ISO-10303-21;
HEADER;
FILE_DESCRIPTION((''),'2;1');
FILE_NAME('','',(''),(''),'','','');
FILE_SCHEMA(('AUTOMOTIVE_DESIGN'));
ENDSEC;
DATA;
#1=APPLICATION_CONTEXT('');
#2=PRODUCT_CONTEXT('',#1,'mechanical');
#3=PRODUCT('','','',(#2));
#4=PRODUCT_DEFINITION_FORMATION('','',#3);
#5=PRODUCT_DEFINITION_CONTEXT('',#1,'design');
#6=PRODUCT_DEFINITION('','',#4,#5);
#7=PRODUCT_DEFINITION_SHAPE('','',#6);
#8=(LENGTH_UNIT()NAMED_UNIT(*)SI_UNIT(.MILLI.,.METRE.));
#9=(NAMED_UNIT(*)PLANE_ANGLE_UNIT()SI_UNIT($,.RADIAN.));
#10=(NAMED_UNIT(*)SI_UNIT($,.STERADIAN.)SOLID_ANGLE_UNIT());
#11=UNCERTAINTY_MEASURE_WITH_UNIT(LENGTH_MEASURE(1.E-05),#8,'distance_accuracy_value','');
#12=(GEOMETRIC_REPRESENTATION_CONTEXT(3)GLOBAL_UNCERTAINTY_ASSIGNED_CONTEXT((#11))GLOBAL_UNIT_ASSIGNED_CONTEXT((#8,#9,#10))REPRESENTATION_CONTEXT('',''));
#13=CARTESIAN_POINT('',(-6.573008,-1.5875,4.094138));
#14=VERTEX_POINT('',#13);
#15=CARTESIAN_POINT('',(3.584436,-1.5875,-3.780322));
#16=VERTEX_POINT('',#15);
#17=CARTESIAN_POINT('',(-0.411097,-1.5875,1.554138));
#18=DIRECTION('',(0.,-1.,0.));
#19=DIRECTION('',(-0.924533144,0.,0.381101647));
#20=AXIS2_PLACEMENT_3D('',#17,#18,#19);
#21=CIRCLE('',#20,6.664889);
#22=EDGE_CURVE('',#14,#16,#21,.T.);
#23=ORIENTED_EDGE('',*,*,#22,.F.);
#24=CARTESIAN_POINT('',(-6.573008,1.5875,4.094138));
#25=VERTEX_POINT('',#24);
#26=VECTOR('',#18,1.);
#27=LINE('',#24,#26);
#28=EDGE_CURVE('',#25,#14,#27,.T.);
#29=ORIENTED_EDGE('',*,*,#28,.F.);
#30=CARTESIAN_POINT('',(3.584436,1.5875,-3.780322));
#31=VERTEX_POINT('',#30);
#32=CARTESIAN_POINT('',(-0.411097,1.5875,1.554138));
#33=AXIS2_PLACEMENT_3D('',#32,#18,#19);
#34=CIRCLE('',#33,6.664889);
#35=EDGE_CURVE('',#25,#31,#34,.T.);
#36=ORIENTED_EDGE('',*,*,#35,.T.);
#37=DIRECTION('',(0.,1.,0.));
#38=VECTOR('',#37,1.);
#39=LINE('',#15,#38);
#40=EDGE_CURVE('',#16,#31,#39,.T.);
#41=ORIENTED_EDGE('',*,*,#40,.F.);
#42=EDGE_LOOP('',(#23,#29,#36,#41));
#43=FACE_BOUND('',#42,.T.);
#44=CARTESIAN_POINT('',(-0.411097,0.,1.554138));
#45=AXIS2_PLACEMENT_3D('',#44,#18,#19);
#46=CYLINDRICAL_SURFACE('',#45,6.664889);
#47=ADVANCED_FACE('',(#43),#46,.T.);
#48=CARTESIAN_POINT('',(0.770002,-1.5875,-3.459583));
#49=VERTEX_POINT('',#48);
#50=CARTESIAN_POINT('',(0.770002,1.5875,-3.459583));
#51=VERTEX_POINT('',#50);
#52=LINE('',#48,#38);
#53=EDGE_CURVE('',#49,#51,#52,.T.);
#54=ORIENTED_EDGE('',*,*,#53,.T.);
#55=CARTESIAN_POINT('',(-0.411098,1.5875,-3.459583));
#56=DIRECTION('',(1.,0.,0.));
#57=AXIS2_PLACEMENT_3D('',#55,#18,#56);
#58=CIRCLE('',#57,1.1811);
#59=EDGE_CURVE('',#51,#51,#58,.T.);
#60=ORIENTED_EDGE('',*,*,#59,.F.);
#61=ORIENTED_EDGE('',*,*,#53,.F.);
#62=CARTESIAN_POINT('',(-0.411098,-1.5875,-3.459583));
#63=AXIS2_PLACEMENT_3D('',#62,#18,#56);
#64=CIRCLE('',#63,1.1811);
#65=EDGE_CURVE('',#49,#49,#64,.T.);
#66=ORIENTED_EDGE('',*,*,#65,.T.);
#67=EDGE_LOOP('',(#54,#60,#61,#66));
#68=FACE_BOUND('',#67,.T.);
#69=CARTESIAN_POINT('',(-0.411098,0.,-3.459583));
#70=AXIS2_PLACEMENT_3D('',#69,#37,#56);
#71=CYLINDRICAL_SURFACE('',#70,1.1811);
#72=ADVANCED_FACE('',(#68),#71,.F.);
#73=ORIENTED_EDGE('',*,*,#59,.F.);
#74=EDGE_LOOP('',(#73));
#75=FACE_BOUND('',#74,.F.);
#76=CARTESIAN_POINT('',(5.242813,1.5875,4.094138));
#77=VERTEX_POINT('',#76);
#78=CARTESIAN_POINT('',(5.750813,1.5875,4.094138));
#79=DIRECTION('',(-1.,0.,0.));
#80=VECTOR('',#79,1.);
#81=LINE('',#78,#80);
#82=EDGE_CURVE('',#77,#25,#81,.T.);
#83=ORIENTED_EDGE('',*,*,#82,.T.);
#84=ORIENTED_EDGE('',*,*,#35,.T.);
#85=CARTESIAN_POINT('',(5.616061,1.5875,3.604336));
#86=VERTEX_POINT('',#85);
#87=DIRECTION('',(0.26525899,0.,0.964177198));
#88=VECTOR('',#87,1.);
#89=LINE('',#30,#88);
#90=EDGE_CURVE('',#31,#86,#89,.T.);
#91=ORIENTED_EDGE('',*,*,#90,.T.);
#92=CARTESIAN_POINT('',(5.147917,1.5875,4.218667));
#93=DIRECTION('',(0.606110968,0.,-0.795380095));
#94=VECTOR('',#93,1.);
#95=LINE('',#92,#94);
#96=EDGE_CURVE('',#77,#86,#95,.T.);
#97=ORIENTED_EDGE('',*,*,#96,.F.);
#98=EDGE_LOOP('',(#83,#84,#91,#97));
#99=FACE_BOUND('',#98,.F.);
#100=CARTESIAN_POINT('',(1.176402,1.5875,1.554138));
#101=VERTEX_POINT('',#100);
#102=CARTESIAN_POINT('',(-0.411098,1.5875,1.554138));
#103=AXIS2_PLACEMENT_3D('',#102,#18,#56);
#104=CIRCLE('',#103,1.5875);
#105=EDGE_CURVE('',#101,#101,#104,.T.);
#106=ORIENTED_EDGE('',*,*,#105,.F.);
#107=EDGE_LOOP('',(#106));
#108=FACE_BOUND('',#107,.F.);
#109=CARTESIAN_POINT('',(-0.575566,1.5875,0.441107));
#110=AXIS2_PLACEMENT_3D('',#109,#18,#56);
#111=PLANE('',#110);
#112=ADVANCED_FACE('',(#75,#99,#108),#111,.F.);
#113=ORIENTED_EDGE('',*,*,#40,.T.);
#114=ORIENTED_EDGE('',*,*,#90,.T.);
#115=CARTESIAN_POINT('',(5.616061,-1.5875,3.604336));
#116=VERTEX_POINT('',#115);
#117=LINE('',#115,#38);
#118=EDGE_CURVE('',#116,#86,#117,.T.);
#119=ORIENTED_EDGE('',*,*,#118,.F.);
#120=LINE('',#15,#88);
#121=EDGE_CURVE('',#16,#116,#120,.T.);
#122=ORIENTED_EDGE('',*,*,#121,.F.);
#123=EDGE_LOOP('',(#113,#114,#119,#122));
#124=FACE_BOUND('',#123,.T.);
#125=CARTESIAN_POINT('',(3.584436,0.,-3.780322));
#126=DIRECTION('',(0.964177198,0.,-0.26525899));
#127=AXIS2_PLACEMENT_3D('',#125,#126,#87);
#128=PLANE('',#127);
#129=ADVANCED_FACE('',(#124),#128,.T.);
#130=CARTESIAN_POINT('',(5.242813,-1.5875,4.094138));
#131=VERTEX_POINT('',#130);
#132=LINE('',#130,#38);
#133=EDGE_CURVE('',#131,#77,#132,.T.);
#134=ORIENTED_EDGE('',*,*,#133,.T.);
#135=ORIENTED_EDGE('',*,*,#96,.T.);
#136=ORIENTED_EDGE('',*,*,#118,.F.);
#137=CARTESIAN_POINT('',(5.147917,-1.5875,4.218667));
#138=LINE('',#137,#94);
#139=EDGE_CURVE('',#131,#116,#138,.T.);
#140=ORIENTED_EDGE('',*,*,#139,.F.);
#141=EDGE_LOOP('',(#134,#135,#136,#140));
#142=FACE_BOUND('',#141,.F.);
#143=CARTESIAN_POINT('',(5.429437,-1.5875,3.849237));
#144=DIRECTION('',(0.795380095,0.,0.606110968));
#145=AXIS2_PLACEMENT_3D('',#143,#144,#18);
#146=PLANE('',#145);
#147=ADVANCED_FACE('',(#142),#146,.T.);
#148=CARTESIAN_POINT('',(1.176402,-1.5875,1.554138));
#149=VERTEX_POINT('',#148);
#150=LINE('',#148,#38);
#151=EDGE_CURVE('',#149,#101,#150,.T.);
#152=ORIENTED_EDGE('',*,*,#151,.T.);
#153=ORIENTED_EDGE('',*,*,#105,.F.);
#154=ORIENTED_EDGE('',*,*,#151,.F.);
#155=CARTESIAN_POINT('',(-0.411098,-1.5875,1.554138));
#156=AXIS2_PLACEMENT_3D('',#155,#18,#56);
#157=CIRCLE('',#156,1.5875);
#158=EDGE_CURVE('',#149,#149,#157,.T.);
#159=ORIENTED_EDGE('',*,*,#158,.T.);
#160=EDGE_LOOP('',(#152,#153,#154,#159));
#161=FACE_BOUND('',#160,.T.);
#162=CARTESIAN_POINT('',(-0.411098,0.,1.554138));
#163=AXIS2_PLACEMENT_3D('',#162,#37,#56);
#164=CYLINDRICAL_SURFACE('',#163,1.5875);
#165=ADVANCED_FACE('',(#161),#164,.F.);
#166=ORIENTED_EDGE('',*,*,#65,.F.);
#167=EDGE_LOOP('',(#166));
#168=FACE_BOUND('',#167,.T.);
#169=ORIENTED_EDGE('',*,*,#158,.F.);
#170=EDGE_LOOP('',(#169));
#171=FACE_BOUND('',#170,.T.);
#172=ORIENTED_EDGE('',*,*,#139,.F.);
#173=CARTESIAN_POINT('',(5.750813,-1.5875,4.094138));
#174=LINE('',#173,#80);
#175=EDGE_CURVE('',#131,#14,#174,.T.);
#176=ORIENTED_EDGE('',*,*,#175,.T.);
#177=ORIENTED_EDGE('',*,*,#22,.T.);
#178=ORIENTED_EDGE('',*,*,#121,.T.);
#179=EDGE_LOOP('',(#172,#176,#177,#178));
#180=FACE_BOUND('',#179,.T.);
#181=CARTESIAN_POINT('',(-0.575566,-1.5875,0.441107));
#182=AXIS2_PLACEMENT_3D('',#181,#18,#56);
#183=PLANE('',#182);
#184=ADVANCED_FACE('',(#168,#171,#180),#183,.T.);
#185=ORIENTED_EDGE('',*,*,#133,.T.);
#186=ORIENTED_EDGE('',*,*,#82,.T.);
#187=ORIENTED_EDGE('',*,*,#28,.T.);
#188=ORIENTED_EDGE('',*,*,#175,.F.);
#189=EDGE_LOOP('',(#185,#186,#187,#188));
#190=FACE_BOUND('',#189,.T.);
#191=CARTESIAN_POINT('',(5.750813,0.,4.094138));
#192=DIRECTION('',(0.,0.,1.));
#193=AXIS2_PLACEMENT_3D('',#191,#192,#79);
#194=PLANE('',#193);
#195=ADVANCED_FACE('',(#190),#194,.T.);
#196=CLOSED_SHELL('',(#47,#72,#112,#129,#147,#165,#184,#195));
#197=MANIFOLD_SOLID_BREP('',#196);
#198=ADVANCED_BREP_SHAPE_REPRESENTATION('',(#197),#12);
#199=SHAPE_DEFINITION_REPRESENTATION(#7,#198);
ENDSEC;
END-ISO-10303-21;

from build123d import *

# Parameters (mm, degrees)
F0_R     = 1.1811
F0_R_2   = 1.5875
F1_DEPTH = 1.5875
F2_SIZE  = 0.508


with BuildPart() as f1:
    # F0 (on Front) → F1 (new body, symmetric)
    with BuildSketch(Plane.XZ):
        with BuildLine():
            Line((5.750813, 4.094138), (-6.573008, 4.094138))
            ThreePointArc((-6.573008, 4.094138), (-4.49461, -3.713278), (3.584436, -3.780322))
            Line((3.584436, -3.780322), (5.750813, 4.094138))
        make_face()
        with Locations((-0.411098, -3.459583)):
            Circle(F0_R, mode=Mode.SUBTRACT)
        with Locations((-0.411098, 1.554138)):
            Circle(F0_R_2, mode=Mode.SUBTRACT)
    extrude(amount=F1_DEPTH, both=True)

    # F2
    f2_edges = [f1.edges().sort_by_distance(p)[0] for p in [
        (5.750813, 0, 4.094138),
    ]]
    chamfer(f2_edges, length=F2_SIZE)


solid = f1.part
